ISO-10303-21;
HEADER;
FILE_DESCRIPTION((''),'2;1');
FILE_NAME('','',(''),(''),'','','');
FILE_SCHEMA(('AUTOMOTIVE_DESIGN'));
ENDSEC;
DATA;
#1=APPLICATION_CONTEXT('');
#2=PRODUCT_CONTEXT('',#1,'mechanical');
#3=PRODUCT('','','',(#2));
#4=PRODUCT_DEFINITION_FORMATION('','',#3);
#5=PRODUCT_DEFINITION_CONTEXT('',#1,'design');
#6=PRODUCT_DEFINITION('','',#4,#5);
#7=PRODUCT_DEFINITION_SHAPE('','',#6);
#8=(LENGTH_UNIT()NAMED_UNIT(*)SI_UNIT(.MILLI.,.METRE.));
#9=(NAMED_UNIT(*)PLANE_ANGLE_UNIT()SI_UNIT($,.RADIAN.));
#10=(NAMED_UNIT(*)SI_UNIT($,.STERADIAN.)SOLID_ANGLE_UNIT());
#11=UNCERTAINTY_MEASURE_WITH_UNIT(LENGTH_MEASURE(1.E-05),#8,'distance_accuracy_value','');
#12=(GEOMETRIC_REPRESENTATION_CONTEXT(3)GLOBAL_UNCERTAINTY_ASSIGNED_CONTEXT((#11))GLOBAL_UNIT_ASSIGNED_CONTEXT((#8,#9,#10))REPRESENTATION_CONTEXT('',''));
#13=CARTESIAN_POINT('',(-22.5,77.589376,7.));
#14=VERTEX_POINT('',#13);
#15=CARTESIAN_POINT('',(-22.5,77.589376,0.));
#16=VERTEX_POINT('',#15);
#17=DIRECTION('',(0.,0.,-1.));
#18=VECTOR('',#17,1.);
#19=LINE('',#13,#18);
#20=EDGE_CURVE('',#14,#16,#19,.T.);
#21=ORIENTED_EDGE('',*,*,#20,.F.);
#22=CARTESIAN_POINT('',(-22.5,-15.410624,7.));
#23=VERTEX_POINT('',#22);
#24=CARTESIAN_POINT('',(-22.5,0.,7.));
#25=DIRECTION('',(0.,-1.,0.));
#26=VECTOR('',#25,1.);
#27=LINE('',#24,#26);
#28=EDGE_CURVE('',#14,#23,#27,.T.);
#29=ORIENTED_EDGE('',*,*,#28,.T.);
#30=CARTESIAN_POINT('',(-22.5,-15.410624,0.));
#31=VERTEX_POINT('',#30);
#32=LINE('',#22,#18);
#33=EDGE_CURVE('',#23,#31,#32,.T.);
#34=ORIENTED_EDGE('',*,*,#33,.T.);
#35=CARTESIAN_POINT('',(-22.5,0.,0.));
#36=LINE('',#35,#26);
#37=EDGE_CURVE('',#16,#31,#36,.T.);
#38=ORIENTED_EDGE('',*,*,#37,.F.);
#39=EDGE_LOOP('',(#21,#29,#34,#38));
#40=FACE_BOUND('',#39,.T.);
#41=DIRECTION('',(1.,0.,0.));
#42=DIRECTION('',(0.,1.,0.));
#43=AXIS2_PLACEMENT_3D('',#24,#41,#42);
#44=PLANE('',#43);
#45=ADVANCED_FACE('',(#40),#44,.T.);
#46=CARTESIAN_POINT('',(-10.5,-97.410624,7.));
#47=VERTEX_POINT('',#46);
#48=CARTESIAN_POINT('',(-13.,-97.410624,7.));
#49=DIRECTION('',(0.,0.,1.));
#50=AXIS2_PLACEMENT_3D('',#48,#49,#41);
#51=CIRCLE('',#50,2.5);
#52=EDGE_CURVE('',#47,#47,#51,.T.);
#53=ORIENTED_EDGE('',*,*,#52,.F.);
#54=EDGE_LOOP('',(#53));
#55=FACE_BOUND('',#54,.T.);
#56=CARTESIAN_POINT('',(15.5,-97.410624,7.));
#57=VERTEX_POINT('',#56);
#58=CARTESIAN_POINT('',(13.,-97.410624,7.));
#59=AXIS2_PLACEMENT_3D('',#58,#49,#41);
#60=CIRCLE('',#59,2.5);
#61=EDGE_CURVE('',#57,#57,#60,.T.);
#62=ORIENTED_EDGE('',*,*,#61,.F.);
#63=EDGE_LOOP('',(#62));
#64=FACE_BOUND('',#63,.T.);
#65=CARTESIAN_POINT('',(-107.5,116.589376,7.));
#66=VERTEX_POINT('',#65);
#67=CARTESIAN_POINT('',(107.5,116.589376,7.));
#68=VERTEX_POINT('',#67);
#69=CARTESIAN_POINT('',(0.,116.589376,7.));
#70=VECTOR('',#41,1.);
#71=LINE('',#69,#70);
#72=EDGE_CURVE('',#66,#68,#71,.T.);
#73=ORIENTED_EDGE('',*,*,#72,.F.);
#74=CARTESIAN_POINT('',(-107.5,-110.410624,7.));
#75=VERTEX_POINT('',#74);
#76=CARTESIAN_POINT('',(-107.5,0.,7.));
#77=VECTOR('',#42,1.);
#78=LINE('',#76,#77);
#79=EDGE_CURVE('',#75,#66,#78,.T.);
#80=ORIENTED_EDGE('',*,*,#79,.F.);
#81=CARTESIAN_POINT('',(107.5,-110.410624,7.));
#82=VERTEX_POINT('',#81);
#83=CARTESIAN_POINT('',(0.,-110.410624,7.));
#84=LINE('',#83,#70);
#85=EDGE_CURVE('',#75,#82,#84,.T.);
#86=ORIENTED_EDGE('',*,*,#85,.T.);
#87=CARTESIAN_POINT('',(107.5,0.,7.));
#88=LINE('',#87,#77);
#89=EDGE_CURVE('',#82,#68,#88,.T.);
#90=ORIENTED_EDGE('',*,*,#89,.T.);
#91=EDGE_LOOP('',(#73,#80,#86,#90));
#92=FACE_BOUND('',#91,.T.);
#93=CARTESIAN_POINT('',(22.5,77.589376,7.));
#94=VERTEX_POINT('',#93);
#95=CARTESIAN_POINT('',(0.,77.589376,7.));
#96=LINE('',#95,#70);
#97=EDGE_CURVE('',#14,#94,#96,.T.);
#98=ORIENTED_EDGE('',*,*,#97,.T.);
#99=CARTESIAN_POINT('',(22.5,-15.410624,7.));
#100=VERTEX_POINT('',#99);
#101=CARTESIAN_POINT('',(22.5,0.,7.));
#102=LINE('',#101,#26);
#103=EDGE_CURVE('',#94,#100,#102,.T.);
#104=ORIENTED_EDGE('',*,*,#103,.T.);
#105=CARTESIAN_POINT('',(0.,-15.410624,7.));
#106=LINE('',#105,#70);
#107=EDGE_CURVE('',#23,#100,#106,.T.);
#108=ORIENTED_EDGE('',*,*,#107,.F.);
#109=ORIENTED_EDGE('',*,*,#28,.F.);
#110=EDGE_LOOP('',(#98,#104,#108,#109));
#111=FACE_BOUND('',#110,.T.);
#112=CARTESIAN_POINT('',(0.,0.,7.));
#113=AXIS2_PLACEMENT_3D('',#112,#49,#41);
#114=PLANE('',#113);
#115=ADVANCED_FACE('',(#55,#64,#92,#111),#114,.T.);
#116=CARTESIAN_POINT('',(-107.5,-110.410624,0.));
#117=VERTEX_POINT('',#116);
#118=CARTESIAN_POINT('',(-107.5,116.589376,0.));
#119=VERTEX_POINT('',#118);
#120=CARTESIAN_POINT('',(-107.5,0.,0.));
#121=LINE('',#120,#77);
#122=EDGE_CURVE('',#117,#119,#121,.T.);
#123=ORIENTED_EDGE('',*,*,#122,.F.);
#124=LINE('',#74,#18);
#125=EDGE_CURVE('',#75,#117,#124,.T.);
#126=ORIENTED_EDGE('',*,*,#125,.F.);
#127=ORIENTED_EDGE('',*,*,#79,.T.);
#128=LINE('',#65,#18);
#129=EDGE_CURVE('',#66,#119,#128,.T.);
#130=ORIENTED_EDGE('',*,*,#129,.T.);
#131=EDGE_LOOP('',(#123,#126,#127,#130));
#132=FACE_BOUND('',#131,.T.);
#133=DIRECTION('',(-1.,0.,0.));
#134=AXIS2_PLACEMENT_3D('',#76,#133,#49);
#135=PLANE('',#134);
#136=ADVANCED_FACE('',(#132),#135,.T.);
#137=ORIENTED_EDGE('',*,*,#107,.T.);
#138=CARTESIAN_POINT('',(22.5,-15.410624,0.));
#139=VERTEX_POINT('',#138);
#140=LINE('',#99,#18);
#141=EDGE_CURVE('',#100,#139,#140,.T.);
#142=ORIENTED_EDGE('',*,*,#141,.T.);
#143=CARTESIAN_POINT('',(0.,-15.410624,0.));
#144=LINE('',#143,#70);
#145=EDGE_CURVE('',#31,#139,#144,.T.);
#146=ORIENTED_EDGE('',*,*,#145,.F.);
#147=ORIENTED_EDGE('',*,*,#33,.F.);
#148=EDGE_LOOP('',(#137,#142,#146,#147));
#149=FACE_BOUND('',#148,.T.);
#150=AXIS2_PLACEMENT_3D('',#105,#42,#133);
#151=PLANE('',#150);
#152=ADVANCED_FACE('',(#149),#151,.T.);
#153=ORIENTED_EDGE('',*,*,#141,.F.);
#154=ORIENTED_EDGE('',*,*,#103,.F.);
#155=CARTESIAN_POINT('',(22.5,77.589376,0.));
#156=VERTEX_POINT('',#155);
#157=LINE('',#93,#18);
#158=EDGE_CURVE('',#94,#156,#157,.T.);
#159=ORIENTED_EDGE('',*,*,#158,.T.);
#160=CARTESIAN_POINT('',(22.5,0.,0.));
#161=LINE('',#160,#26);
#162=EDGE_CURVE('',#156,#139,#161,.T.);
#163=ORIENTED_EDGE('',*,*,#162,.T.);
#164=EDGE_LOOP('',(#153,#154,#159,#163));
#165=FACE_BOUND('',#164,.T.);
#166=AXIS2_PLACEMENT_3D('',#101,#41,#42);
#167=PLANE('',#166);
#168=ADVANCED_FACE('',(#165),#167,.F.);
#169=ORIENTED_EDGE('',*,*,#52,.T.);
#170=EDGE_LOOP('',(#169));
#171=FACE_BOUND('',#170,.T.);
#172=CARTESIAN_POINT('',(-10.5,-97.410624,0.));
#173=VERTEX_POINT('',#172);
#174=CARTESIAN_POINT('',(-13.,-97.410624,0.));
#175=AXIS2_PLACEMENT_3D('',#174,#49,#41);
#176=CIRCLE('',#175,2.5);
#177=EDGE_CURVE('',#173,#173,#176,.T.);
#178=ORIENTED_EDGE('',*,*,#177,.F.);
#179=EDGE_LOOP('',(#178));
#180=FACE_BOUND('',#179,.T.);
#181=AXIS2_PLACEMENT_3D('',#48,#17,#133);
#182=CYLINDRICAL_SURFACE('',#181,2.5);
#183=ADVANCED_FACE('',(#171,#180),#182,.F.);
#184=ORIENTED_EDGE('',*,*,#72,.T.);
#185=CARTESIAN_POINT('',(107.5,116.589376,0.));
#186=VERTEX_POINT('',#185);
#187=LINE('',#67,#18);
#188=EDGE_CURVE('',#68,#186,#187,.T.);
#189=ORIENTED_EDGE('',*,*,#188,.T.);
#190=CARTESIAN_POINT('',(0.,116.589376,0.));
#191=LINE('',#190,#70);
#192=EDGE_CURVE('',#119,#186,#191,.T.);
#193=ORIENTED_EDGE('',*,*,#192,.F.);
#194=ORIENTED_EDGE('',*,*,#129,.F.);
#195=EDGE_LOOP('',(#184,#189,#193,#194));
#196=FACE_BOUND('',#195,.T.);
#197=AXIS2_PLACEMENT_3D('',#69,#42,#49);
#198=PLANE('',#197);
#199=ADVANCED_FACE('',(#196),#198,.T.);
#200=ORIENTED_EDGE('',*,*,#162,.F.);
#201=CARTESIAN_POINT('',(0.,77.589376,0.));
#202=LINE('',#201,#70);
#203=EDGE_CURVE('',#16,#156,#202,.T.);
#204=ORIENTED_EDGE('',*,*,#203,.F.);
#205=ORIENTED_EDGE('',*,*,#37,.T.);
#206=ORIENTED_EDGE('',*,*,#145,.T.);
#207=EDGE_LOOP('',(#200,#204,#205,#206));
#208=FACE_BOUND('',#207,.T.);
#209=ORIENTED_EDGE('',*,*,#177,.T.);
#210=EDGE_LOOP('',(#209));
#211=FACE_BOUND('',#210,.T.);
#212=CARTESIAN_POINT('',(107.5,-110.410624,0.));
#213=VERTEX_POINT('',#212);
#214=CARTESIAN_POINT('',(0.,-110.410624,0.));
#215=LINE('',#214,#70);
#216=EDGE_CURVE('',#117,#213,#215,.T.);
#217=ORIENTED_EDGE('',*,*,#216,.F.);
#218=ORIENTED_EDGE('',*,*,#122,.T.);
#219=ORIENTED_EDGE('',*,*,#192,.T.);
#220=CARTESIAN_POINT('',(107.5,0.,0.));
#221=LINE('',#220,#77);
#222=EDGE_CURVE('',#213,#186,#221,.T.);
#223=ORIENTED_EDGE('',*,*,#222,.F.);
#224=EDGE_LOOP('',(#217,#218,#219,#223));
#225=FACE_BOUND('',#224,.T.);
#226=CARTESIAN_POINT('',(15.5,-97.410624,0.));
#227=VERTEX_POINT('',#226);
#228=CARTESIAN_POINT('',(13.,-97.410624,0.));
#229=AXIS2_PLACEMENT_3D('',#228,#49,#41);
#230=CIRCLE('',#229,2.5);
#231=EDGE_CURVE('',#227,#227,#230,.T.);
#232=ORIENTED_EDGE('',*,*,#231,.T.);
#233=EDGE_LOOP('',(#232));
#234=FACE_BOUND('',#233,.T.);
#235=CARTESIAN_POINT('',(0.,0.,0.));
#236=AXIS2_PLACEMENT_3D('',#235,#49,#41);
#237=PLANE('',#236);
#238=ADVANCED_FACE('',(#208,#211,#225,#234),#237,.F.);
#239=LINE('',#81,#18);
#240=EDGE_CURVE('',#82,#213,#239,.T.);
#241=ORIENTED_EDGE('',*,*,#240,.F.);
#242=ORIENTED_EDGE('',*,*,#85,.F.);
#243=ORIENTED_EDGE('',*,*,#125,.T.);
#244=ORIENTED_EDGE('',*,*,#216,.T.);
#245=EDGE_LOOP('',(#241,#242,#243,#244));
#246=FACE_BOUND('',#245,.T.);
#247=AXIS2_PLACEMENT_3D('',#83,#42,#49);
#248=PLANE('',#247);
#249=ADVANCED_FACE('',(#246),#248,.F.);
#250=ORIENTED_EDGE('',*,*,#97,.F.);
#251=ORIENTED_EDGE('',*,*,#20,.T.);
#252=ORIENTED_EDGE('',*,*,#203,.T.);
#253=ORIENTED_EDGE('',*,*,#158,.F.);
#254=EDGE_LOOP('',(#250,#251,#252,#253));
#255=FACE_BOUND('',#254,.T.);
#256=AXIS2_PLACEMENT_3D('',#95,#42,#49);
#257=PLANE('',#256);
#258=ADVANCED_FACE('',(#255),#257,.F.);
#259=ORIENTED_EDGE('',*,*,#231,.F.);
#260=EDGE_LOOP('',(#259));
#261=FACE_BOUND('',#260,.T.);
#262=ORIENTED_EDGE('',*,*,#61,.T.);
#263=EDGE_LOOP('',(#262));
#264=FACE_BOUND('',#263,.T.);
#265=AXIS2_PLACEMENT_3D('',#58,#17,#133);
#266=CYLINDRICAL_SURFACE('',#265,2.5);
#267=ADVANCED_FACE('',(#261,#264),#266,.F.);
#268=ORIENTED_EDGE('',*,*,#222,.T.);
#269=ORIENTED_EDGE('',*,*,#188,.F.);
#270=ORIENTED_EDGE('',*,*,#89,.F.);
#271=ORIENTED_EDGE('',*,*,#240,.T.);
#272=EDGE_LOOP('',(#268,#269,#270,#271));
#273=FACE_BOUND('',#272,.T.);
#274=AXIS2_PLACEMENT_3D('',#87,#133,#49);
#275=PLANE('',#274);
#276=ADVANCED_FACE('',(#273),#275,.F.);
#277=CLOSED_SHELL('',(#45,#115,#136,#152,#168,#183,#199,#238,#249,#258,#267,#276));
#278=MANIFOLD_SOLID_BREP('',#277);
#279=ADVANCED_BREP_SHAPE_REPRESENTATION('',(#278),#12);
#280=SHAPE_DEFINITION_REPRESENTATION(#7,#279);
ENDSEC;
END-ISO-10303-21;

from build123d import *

# Parameters (mm, degrees)
SKETCH1_W           = 215
SKETCH1_H           = 227
SKETCH1_R           = 2.5
SKETCH1_W_2         = 45
SKETCH1_H_2         = 93
BOSS_EXTRUDE1_DEPTH = 7


with BuildPart() as part:
    # Sketch1 → Boss-Extrude1 (new body)
    with BuildSketch(Plane.XY):
        with Locations((0, 3.089375999)):
            Rectangle(SKETCH1_W, SKETCH1_H)
        with Locations((-13, -97.410624001)):
            Circle(SKETCH1_R, mode=Mode.SUBTRACT)
        with Locations((13, -97.410624001)):
            Circle(SKETCH1_R, mode=Mode.SUBTRACT)
        with Locations((0, 31.089375999)):
            Rectangle(SKETCH1_W_2, SKETCH1_H_2, mode=Mode.SUBTRACT)
    extrude(amount=BOSS_EXTRUDE1_DEPTH)


solid = part.part
